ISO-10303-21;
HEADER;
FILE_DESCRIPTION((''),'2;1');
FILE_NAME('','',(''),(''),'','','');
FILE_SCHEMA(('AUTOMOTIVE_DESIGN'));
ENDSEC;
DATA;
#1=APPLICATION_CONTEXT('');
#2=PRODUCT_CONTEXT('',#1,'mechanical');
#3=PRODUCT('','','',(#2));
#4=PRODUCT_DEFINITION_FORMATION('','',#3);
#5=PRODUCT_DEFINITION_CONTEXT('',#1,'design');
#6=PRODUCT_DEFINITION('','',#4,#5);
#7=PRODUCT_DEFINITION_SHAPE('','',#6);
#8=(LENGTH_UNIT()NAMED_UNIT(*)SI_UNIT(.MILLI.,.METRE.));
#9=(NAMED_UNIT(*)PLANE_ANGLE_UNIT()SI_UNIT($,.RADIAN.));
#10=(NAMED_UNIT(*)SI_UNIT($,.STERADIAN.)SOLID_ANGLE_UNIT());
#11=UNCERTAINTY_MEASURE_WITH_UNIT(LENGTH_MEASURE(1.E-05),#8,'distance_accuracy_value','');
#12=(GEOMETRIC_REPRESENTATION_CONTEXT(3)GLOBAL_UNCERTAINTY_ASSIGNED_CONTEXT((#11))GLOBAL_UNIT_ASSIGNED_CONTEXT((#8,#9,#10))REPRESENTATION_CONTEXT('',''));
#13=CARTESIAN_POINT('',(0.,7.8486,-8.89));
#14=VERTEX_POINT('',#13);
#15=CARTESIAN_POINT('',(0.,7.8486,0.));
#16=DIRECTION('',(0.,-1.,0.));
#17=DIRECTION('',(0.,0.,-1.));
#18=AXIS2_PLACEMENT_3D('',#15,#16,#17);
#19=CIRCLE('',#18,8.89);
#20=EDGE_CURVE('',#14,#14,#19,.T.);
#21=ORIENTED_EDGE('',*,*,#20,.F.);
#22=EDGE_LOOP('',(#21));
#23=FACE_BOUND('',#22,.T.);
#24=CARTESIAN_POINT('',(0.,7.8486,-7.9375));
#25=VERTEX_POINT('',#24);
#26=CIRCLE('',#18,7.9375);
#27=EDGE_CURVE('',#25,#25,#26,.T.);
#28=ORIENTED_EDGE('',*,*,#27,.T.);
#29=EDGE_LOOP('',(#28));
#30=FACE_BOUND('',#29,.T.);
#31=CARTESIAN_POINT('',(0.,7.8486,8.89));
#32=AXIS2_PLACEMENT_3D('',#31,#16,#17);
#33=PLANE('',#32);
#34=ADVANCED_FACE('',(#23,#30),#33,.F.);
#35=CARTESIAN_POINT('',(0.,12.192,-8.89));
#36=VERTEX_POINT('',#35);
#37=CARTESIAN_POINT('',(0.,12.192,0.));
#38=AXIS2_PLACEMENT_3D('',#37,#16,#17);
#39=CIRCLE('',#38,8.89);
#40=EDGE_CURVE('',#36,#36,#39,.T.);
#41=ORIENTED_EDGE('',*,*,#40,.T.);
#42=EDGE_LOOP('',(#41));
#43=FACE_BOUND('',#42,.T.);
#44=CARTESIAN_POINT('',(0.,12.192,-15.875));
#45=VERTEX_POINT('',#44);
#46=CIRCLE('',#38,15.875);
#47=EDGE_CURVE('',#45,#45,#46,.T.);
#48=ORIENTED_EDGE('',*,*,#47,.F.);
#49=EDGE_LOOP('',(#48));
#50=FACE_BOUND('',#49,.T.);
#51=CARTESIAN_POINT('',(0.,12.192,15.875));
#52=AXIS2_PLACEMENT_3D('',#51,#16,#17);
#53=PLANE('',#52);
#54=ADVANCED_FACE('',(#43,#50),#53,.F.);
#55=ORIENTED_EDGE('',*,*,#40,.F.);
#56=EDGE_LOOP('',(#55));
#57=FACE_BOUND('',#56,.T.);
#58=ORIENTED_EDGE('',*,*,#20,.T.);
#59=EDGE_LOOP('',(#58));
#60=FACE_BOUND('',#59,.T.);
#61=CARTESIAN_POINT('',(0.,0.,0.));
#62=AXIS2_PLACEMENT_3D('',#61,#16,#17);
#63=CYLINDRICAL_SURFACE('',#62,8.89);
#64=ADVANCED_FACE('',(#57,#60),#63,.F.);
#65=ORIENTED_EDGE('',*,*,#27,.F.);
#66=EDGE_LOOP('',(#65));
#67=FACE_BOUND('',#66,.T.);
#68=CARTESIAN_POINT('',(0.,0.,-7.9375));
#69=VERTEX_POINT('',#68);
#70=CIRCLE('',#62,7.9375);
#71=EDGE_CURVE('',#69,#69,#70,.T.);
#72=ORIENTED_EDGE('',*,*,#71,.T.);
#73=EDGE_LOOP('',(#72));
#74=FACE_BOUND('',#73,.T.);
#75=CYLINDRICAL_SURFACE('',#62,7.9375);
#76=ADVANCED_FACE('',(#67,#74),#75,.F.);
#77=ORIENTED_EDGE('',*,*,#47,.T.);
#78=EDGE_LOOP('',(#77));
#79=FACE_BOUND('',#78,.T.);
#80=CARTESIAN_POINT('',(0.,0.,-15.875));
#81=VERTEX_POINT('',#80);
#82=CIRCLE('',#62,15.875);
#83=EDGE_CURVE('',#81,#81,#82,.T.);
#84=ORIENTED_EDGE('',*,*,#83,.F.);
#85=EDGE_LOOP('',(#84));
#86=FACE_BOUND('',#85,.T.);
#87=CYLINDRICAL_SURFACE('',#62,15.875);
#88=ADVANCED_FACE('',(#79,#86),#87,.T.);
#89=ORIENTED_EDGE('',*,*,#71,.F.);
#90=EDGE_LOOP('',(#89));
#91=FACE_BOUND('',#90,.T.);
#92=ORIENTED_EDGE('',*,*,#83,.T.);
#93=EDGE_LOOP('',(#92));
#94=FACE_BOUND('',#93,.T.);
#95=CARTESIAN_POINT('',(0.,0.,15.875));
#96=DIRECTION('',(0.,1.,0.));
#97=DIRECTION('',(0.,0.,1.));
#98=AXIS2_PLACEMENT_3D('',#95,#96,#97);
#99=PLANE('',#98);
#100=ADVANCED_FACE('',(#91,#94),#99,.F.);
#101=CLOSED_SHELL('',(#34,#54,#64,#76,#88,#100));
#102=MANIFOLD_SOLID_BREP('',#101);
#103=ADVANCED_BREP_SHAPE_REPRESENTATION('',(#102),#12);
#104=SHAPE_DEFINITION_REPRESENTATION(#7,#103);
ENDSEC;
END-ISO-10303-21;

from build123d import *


with BuildPart() as part:
    # Sketch1 → Revolve1 (revolve)
    with BuildSketch(Plane(origin=(0, 0, 0), x_dir=(0, 0, -1), z_dir=(1, 0, 0)), mode=Mode.PRIVATE) as revolve1_sk:
        Polygon((-8.89, 12.192), (-8.89, 7.8486), (-7.9375, 7.8486), (-7.9375, 0), (-15.875, 0), (-15.875, 12.192), align=None)
    revolve(revolve1_sk.sketch.rotate(Axis((0, 0, 0), (0, 1, 0)), 180), axis=Axis((0, 0, 0), (0, 1, 0)))


solid = part.part
